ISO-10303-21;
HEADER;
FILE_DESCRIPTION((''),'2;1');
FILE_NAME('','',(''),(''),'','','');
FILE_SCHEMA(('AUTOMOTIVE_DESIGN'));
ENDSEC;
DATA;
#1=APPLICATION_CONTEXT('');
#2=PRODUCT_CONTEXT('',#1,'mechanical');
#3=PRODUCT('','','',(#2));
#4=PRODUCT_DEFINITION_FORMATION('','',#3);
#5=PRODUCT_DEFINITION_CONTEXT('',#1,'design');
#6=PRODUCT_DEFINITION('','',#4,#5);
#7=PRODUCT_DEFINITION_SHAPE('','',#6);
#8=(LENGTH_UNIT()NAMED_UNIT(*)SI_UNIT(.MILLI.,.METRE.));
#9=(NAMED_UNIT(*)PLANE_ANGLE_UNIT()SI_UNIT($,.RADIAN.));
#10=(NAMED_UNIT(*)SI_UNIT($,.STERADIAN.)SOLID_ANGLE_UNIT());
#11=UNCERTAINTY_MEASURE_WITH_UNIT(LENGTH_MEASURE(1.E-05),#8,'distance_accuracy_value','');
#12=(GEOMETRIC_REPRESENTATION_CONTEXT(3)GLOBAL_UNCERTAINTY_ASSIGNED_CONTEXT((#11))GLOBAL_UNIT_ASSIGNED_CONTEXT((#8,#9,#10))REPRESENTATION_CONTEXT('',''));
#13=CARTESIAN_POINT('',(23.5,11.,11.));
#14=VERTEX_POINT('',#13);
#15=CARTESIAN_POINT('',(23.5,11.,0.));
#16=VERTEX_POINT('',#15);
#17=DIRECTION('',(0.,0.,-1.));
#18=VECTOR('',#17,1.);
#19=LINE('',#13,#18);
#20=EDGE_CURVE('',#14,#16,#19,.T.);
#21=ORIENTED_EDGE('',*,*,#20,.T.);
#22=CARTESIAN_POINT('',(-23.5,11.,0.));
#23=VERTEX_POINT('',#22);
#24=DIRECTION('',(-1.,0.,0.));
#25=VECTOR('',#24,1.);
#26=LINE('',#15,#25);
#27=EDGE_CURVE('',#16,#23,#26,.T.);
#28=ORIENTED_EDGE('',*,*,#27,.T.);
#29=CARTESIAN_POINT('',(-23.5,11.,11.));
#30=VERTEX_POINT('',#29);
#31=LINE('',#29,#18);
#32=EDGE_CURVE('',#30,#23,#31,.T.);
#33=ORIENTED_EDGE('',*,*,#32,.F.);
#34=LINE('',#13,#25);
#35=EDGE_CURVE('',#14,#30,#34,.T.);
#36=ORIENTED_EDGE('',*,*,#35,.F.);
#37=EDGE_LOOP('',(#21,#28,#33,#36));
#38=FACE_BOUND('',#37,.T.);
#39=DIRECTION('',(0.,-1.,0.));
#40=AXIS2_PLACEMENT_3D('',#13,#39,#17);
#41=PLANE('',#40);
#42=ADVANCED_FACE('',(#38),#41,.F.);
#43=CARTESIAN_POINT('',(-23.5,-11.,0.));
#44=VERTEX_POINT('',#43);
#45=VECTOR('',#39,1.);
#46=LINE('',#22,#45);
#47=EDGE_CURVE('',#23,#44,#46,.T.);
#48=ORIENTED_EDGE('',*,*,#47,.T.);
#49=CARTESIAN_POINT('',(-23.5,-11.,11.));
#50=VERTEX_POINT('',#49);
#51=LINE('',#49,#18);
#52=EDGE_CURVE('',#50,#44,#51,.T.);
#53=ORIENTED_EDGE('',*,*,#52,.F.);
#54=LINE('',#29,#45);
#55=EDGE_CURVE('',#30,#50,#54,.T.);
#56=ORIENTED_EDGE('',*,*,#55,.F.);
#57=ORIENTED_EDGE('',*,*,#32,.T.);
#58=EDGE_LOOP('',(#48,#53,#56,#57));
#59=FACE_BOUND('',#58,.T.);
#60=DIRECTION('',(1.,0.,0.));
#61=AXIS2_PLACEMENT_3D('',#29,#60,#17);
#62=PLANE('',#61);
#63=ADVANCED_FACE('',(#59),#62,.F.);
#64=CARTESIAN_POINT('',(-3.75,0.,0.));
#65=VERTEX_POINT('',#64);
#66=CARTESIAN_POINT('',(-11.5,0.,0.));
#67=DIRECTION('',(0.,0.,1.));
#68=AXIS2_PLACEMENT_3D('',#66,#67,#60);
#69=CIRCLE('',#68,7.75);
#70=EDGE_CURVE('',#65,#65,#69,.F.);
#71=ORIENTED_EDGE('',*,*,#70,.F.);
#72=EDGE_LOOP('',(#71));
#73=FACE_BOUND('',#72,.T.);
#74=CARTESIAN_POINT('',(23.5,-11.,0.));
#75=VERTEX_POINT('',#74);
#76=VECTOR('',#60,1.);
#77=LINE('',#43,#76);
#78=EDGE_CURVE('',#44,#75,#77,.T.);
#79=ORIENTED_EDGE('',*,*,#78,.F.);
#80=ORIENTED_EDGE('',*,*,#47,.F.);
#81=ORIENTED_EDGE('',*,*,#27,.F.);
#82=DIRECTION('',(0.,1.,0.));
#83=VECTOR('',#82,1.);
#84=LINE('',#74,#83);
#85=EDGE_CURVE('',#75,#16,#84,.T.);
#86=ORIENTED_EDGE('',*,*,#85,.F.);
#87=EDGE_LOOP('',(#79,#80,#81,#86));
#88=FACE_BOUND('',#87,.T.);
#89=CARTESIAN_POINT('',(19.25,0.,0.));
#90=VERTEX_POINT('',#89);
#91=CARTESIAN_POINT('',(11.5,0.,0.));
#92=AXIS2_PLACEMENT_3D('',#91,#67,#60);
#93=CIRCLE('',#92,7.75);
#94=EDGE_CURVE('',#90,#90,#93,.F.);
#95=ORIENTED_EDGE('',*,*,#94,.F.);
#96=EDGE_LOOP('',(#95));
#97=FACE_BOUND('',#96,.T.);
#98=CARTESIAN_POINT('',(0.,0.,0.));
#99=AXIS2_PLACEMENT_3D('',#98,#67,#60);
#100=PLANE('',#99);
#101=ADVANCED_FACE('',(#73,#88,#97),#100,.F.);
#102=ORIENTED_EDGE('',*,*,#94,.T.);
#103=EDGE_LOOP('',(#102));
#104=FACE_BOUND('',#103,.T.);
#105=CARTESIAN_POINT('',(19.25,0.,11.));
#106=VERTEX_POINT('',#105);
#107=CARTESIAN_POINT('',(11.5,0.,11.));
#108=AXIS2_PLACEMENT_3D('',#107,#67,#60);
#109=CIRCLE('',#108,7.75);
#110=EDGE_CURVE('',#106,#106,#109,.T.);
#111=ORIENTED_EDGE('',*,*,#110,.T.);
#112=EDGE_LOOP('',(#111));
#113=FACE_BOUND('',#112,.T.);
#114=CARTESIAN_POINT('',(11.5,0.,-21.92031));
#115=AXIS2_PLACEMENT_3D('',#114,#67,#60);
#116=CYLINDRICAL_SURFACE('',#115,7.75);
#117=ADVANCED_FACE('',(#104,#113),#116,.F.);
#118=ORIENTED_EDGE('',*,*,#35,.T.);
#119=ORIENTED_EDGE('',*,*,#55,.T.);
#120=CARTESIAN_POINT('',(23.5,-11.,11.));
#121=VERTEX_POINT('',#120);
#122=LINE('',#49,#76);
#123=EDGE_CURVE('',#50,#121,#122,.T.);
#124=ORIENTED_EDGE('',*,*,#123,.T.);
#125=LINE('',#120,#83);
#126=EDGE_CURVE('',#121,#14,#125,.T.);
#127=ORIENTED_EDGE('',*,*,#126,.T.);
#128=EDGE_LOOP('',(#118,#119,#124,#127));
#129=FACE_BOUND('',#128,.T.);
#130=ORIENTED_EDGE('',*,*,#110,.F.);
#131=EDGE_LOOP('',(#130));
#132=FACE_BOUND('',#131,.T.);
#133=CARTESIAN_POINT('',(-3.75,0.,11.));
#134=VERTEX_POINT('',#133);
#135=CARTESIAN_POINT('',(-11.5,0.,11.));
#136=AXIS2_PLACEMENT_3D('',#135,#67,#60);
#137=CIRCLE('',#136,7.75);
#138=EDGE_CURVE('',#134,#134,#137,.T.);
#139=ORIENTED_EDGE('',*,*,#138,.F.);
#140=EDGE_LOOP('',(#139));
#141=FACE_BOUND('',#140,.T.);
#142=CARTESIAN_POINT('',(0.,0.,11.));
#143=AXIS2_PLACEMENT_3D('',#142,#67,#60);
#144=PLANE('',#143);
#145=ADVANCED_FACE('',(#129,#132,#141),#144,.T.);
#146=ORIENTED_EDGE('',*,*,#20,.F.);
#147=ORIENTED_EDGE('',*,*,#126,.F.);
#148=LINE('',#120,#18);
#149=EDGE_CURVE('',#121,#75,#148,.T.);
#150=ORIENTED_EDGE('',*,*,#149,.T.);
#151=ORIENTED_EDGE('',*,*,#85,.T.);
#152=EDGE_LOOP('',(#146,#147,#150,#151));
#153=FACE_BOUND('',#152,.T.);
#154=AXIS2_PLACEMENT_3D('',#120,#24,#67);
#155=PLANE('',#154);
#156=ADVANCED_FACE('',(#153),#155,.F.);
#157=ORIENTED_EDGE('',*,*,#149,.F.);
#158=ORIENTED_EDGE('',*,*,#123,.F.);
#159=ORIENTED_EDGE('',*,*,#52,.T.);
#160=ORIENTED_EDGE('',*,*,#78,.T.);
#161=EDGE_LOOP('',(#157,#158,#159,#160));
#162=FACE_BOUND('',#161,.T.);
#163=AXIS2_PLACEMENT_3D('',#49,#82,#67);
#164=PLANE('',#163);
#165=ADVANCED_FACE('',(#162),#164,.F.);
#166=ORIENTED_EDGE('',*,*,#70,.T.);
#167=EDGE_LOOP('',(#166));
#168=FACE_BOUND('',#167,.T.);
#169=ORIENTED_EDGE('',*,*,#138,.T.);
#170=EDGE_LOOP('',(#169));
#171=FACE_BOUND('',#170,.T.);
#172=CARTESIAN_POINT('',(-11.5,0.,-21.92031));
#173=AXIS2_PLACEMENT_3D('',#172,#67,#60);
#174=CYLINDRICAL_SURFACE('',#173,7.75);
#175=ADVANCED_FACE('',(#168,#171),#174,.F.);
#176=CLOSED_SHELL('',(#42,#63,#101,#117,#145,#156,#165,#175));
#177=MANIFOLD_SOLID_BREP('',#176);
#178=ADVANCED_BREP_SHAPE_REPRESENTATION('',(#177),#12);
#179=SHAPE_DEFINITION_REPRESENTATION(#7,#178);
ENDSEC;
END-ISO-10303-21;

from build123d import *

# Parameters (mm, degrees)
SKETCH2_W           = 47
SKETCH2_H           = 22
BOSS_EXTRUDE1_DEPTH = 11
SKETCH3_R           = 7.75
CUT_EXTRUDE1_DEPTH  = 11


with BuildPart() as part:
    # Sketch2 → Boss-Extrude1 (new body)
    with BuildSketch(Plane.XY):
        Rectangle(SKETCH2_W, SKETCH2_H)
    extrude(amount=BOSS_EXTRUDE1_DEPTH)

    # Sketch3 → Cut-Extrude1 (cut)
    with BuildSketch(Plane.XY.offset(11)):
        with Locations((-11.5, 0)):
            Circle(SKETCH3_R)
        with Locations((11.5, 0)):
            Circle(SKETCH3_R)
    extrude(amount=-CUT_EXTRUDE1_DEPTH, mode=Mode.SUBTRACT)


solid = part.part
